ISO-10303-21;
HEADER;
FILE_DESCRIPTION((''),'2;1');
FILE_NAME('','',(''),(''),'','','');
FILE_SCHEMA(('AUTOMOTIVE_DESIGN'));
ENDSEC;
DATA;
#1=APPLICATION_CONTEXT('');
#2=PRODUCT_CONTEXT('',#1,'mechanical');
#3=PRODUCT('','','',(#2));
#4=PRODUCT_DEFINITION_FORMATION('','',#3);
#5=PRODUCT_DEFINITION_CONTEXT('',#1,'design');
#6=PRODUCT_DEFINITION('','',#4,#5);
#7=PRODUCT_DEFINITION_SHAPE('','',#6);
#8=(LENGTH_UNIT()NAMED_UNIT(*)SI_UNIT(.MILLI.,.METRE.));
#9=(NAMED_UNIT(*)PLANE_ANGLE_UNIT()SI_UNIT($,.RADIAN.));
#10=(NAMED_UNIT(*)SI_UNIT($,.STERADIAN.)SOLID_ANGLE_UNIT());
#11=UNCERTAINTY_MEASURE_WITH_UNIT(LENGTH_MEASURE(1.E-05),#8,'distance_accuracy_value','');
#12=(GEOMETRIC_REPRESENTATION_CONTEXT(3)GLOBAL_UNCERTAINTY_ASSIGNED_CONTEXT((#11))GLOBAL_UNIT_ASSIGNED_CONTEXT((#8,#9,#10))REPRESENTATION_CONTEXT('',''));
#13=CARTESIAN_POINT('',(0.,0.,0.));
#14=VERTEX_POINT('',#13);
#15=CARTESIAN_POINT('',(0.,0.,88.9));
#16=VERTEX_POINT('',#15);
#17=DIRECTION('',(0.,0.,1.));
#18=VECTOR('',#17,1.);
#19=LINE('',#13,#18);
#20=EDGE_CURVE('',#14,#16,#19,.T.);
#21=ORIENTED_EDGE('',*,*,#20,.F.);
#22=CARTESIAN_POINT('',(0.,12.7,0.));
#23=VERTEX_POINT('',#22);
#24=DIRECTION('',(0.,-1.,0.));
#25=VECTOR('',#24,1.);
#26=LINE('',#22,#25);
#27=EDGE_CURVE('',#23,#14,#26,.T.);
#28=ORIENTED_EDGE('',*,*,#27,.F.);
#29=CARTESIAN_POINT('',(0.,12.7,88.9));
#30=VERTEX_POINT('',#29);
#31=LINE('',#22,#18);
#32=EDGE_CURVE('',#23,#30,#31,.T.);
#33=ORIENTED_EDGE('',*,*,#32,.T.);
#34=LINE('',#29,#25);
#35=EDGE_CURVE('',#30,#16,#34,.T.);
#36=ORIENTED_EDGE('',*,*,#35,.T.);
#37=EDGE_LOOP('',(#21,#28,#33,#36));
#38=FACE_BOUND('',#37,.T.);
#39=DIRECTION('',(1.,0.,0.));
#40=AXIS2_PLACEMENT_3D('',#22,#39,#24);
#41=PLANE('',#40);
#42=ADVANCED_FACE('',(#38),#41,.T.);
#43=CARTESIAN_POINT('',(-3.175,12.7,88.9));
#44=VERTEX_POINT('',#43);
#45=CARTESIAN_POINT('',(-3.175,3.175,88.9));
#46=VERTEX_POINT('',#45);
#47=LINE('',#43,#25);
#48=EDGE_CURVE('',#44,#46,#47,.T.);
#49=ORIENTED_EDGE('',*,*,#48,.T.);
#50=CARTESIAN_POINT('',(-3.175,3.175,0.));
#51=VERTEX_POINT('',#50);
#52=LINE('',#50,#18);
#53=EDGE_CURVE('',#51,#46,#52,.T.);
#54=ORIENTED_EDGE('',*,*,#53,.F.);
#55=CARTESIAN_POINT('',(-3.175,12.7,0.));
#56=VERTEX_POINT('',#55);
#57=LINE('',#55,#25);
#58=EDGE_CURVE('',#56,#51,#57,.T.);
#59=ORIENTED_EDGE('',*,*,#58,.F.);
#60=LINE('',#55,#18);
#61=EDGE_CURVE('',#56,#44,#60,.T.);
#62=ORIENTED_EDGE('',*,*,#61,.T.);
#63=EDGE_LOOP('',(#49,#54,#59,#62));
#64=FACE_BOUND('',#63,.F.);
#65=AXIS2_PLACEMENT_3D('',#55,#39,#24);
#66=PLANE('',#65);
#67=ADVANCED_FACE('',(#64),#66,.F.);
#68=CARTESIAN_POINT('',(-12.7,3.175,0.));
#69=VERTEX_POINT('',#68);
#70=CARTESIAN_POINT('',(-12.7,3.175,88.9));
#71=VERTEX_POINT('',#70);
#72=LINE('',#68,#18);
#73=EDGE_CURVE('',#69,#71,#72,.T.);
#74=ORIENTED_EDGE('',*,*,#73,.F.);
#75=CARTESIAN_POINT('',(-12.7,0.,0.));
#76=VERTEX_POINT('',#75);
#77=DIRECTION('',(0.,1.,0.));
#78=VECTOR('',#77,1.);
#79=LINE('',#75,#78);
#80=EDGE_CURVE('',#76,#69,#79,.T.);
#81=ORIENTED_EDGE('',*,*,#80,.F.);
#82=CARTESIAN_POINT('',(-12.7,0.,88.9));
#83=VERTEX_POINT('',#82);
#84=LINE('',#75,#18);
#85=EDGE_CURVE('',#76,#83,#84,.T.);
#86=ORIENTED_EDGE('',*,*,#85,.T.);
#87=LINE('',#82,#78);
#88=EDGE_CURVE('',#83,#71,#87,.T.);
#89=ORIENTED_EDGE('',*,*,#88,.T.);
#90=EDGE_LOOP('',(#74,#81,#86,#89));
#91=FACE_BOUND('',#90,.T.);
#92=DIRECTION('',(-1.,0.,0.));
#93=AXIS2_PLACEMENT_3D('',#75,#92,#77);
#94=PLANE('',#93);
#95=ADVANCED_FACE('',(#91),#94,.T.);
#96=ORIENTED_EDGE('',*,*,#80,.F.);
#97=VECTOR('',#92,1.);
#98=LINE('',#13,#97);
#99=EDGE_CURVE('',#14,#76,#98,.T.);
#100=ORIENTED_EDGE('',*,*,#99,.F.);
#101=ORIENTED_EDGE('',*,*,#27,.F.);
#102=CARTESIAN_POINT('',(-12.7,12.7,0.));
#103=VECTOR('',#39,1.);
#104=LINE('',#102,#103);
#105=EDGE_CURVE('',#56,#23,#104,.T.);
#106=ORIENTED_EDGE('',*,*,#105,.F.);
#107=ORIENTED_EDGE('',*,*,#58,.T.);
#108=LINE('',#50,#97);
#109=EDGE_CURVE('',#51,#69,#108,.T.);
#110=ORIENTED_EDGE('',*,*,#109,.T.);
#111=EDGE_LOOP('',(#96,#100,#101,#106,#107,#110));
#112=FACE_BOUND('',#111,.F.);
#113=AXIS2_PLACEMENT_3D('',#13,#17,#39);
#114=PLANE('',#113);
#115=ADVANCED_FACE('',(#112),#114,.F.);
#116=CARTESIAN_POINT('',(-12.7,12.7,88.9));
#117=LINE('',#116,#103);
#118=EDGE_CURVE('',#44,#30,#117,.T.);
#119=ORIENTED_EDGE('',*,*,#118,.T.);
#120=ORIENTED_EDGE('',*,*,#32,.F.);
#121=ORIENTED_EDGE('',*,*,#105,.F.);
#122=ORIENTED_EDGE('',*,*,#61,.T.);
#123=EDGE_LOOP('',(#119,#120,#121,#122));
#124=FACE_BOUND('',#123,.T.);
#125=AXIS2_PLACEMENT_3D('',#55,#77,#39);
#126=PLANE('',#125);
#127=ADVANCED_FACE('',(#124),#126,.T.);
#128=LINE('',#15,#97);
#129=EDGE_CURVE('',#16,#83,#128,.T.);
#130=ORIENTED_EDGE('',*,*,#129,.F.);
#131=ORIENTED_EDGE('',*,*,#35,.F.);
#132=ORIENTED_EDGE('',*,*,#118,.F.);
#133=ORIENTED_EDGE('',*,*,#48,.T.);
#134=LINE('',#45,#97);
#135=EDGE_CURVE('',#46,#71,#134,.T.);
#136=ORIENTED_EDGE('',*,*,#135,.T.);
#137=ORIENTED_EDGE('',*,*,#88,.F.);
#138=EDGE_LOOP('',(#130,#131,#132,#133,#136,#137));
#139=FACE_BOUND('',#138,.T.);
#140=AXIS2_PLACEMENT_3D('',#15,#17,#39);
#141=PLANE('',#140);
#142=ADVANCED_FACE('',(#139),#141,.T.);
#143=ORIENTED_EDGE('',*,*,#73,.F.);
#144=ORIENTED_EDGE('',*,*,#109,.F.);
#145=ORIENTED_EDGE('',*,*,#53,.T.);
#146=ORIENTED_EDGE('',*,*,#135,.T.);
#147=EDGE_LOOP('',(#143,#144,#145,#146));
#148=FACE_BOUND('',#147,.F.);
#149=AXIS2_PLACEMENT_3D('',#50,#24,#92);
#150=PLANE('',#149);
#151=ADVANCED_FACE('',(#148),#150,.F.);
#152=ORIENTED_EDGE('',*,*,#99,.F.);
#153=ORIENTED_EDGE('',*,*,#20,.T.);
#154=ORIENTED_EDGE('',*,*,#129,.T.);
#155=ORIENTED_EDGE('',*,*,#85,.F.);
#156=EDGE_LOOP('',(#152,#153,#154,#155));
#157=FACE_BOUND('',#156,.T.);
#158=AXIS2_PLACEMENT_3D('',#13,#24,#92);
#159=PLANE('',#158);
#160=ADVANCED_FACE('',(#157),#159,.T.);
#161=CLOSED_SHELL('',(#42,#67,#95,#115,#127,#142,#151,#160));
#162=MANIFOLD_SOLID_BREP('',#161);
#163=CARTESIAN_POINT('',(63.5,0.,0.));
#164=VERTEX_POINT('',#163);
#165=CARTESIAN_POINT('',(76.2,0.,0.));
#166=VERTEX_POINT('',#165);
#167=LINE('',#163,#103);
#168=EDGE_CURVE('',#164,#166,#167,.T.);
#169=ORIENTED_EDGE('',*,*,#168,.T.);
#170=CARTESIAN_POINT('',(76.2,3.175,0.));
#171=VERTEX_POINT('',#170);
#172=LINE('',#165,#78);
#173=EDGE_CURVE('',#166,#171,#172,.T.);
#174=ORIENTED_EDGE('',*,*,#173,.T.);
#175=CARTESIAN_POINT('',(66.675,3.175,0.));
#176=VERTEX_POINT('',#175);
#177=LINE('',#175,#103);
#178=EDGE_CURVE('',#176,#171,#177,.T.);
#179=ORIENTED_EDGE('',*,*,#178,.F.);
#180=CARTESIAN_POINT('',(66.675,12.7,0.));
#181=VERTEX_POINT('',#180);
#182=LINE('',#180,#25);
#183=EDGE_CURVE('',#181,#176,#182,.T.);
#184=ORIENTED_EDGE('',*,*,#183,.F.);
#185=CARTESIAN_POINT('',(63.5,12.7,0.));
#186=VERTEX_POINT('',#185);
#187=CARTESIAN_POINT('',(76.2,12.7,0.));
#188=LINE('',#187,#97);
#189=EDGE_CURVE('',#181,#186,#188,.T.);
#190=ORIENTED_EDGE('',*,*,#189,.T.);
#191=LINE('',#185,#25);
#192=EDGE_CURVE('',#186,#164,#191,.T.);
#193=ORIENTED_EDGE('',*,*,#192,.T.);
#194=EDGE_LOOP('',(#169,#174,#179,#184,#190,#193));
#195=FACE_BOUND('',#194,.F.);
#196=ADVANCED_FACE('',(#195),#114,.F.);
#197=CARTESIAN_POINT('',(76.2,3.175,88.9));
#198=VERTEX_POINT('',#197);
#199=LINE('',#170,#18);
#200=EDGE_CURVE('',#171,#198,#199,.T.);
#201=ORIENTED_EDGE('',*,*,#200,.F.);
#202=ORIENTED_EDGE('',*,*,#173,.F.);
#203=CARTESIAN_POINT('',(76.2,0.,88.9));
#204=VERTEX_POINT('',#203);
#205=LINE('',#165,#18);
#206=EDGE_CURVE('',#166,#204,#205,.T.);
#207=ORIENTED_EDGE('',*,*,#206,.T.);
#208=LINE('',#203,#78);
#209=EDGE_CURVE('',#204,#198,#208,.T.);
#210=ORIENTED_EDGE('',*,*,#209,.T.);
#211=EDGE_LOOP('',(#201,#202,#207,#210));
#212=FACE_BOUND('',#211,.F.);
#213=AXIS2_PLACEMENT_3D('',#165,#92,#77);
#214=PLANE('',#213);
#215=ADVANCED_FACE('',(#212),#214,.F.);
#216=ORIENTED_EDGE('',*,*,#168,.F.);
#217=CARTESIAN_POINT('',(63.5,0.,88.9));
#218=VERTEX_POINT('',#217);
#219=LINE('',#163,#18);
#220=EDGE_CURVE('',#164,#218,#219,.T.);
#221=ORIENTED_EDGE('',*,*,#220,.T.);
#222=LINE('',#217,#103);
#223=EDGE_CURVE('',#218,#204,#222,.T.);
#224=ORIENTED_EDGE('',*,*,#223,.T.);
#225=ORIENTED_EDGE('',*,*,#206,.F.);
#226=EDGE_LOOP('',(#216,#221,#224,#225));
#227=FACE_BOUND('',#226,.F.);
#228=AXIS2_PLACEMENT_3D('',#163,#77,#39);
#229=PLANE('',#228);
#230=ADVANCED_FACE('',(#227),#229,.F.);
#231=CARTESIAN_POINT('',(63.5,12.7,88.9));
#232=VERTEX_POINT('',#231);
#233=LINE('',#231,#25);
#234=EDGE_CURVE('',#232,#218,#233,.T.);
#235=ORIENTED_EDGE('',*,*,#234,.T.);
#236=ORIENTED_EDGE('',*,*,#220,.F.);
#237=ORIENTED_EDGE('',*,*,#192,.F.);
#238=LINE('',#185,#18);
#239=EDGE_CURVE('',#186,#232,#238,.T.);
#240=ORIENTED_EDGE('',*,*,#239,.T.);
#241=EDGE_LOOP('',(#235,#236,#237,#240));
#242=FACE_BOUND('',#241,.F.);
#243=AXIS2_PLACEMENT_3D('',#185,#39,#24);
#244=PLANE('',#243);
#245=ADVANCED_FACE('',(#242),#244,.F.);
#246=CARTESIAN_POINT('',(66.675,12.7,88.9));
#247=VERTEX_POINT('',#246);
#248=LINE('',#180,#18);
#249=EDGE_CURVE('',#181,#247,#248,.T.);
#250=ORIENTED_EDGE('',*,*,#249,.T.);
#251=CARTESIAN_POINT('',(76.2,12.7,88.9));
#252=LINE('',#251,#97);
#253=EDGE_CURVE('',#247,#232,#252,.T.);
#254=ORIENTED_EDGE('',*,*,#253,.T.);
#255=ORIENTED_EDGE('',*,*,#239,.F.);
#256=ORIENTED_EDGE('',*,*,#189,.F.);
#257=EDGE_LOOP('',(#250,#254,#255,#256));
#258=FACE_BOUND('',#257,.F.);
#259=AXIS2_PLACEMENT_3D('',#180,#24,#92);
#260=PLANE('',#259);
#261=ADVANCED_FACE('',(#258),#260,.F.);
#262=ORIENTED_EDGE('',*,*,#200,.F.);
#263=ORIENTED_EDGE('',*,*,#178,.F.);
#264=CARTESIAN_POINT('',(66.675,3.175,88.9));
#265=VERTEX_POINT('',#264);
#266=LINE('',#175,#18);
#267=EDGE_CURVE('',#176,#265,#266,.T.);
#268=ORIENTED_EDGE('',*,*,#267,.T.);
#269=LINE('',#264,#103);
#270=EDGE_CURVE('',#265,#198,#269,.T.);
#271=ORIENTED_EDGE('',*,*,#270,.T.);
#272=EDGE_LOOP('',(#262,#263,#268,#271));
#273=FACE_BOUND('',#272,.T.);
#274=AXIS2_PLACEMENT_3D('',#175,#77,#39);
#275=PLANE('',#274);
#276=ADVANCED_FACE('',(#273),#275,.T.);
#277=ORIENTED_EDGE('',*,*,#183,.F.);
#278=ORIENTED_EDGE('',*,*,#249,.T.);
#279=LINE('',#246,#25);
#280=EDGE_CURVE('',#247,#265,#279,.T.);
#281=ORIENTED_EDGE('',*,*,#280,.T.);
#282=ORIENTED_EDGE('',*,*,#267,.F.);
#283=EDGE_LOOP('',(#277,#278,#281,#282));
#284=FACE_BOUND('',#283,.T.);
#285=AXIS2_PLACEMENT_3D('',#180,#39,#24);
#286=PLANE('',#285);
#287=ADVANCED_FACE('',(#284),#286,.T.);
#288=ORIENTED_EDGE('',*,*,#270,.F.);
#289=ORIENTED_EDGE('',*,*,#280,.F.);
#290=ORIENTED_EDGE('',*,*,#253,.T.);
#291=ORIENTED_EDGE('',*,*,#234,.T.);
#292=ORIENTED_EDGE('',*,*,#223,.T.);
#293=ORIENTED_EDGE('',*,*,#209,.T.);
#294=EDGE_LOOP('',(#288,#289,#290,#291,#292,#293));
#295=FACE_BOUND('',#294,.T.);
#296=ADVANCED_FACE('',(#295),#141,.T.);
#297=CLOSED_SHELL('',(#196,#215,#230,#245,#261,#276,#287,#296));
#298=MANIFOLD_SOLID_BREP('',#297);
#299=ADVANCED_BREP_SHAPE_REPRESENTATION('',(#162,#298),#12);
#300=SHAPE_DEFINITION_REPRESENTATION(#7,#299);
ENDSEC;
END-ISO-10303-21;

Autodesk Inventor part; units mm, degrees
ref_plane "YZ Plane" through (0, 0, 0) normal (1, 0, 0) x (0, 1, 0)
ref_plane "XZ Plane" through (0, 0, 0) normal (0, 1, 0) x (-1, 0, 0)
ref_plane "XY Plane" through (0, 0, 0) normal (0, 0, 1) x (1, 0, 0)
sketch "Sketch1" plane through (0, 0, 0) normal (0, 0, 1) x (1, 0, 0)
  line L0 (0, 0) -> (-12.7, 0)
  line L1 (-12.7, 0) -> (-12.7, 12.7)
  line L2 (-12.7, 12.7) -> (0, 12.7)
  line L3 (0, 12.7) -> (0, 0)
  line L4 (-12.7, 12.7) -> (-3.175, 12.7)
  line L5 (-3.175, 12.7) -> (-3.175, 3.175)
  line L6 (-3.175, 3.175) -> (-12.7, 3.175)
  line L7 (-12.7, 3.175) -> (-12.7, 12.7)
  line L8 (63.5, 0) -> (76.2, 0)
  line L9 (76.2, 0) -> (76.2, 12.7)
  line L10 (76.2, 12.7) -> (63.5, 12.7)
  line L11 (63.5, 12.7) -> (63.5, 0)
  line L12 (76.2, 12.7) -> (66.675, 12.7)
  line L13 (66.675, 12.7) -> (66.675, 3.175)
  line L14 (66.675, 3.175) -> (76.2, 3.175)
  line L15 (76.2, 3.175) -> (76.2, 12.7)
  point P0 (-3.175, 12.7)
  dimension "d0" = 12.7
  dimension "d1" = 12.7
  dimension "d2" = 3.175
  dimension "d3" = 3.175
  dimension "d4" = 12.7
  dimension "d5" = 12.7
  dimension "d6" = 3.175
  dimension "d7" = 3.175
  dimension "d8" = 63.5
extrude "Extrusion1" add sketch "Sketch1" along normal blind 88.9 contours L0 L1 L6 L5 L2 L3 | L11 L10 L13 L14 L9 L8
properties part number "Arm holder"
